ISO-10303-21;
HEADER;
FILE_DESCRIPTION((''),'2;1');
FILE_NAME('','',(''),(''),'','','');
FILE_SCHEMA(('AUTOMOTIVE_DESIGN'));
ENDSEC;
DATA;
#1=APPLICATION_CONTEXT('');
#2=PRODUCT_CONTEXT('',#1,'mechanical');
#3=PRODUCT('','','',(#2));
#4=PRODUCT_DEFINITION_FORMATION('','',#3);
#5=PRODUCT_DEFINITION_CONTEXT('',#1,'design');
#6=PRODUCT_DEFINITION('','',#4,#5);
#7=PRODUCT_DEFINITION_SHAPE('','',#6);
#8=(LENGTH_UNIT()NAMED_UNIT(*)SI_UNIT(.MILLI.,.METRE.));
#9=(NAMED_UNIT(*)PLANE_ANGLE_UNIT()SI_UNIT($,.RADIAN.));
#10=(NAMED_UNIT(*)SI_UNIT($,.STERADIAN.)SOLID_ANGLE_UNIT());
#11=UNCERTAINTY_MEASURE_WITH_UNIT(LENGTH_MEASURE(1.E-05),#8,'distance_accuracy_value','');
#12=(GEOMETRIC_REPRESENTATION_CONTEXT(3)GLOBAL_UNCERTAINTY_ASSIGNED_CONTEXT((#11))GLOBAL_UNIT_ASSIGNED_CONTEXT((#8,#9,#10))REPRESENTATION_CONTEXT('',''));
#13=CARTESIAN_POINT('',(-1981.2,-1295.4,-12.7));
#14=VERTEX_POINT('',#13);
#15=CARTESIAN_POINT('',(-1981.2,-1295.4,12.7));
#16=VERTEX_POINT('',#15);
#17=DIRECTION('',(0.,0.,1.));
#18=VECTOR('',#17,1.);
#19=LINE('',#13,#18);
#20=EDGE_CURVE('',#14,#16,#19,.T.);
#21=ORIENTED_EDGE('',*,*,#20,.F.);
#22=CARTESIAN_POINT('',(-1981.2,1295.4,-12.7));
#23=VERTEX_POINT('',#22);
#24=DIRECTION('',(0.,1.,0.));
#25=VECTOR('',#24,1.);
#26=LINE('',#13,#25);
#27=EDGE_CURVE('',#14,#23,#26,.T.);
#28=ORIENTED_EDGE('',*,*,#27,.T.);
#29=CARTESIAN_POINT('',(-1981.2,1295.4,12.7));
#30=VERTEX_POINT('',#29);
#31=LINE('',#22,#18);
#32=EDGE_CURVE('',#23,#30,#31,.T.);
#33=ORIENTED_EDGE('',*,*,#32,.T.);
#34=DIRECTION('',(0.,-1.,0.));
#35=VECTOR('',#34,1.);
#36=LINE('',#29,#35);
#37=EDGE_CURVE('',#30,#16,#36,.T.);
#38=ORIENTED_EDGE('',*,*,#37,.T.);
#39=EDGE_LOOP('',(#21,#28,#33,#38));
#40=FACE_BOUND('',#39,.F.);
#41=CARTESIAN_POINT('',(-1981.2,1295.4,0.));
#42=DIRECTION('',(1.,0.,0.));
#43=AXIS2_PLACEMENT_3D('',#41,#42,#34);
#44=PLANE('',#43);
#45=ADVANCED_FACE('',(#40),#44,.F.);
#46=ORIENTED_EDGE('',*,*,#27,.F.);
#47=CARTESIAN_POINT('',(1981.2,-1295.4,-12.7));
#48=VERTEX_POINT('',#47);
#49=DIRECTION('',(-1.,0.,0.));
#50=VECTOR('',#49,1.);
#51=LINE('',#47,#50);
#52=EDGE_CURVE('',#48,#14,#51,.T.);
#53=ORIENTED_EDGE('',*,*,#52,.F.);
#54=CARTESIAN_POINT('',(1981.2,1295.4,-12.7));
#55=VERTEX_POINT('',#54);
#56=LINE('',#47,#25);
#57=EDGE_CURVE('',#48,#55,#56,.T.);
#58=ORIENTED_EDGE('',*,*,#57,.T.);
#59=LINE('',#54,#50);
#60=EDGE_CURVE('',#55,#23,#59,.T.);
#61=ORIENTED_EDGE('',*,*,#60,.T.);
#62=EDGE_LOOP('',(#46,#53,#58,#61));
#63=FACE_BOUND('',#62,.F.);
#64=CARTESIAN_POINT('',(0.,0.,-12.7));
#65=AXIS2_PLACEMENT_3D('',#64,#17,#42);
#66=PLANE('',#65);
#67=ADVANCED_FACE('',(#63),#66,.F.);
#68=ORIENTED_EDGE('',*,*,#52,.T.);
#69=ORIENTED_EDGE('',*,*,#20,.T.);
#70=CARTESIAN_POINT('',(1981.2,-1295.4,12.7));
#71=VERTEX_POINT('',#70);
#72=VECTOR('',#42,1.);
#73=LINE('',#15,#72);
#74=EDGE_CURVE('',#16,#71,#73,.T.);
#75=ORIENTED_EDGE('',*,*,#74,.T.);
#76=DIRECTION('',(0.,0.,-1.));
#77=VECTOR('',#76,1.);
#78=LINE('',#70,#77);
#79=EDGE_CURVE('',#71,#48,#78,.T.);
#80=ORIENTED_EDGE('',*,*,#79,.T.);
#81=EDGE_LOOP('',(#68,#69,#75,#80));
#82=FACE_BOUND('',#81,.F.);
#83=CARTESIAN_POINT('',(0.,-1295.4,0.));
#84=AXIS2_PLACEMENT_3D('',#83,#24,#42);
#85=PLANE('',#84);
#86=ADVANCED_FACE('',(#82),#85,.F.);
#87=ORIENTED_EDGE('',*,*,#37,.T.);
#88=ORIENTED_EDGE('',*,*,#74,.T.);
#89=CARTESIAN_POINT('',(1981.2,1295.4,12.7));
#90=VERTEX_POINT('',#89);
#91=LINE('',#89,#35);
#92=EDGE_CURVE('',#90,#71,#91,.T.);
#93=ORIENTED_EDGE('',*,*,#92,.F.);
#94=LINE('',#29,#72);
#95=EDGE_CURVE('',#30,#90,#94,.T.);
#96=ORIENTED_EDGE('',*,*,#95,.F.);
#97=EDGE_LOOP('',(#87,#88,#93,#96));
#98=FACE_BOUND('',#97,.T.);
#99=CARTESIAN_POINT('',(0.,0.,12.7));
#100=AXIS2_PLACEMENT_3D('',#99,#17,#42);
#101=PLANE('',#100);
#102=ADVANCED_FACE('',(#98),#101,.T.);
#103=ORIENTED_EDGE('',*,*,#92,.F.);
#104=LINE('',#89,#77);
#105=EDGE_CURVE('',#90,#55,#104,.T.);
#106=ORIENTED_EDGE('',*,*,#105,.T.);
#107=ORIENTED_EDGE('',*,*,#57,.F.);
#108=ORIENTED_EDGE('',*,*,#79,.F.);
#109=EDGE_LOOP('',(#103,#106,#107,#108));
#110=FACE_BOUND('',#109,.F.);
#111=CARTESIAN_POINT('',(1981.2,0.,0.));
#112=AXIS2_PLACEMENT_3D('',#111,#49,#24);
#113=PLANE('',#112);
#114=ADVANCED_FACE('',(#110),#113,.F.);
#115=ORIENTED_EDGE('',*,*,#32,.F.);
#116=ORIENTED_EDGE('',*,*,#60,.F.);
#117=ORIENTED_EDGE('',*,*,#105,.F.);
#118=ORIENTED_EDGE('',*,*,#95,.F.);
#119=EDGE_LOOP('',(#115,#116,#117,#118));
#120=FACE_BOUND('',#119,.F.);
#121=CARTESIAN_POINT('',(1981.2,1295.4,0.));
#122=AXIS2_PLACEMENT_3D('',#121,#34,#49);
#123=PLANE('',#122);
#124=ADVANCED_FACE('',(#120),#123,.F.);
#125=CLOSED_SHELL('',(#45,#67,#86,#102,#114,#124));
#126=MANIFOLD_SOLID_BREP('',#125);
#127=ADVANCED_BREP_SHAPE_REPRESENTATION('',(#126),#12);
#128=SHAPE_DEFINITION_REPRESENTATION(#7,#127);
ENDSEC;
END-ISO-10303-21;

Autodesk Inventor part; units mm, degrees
ref_plane "YZ Plane" through (0, 0, 0) normal (1, 0, 0) x (0, 1, 0)
ref_plane "XZ Plane" through (0, 0, 0) normal (0, 1, 0) x (-1, 0, 0)
ref_plane "XY Plane" through (0, 0, 0) normal (0, 0, 1) x (1, 0, 0)
sketch "Sketch1" plane through (0, 0, 0) normal (0, 0, 1) x (1, 0, 0)
  line L0 (0, 1813.56) -> (0, -1813.56) projected
  line L1 (-2773.68, 0) -> (2773.68, 0) projected
  line L2 (0, -1813.56) -> (0, 1813.56) projected
  line L3 (-2773.68, 0) -> (2773.68, 0) projected
  line L4 (-1981.2, -1295.4) -> (1981.2, -1295.4)
  line L5 (1981.2, -1295.4) -> (1981.2, 1295.4)
  line L6 (1981.2, 1295.4) -> (-1981.2, 1295.4)
  line L7 (-1981.2, 1295.4) -> (-1981.2, -1295.4)
  point P0 (0, 0)
  dimension "d0" = 3962.4
  dimension "d1" = 2590.8
extrude "Extrusion1" add sketch "Sketch1" along normal mid plane 25.4
properties part number "NorthWall"
